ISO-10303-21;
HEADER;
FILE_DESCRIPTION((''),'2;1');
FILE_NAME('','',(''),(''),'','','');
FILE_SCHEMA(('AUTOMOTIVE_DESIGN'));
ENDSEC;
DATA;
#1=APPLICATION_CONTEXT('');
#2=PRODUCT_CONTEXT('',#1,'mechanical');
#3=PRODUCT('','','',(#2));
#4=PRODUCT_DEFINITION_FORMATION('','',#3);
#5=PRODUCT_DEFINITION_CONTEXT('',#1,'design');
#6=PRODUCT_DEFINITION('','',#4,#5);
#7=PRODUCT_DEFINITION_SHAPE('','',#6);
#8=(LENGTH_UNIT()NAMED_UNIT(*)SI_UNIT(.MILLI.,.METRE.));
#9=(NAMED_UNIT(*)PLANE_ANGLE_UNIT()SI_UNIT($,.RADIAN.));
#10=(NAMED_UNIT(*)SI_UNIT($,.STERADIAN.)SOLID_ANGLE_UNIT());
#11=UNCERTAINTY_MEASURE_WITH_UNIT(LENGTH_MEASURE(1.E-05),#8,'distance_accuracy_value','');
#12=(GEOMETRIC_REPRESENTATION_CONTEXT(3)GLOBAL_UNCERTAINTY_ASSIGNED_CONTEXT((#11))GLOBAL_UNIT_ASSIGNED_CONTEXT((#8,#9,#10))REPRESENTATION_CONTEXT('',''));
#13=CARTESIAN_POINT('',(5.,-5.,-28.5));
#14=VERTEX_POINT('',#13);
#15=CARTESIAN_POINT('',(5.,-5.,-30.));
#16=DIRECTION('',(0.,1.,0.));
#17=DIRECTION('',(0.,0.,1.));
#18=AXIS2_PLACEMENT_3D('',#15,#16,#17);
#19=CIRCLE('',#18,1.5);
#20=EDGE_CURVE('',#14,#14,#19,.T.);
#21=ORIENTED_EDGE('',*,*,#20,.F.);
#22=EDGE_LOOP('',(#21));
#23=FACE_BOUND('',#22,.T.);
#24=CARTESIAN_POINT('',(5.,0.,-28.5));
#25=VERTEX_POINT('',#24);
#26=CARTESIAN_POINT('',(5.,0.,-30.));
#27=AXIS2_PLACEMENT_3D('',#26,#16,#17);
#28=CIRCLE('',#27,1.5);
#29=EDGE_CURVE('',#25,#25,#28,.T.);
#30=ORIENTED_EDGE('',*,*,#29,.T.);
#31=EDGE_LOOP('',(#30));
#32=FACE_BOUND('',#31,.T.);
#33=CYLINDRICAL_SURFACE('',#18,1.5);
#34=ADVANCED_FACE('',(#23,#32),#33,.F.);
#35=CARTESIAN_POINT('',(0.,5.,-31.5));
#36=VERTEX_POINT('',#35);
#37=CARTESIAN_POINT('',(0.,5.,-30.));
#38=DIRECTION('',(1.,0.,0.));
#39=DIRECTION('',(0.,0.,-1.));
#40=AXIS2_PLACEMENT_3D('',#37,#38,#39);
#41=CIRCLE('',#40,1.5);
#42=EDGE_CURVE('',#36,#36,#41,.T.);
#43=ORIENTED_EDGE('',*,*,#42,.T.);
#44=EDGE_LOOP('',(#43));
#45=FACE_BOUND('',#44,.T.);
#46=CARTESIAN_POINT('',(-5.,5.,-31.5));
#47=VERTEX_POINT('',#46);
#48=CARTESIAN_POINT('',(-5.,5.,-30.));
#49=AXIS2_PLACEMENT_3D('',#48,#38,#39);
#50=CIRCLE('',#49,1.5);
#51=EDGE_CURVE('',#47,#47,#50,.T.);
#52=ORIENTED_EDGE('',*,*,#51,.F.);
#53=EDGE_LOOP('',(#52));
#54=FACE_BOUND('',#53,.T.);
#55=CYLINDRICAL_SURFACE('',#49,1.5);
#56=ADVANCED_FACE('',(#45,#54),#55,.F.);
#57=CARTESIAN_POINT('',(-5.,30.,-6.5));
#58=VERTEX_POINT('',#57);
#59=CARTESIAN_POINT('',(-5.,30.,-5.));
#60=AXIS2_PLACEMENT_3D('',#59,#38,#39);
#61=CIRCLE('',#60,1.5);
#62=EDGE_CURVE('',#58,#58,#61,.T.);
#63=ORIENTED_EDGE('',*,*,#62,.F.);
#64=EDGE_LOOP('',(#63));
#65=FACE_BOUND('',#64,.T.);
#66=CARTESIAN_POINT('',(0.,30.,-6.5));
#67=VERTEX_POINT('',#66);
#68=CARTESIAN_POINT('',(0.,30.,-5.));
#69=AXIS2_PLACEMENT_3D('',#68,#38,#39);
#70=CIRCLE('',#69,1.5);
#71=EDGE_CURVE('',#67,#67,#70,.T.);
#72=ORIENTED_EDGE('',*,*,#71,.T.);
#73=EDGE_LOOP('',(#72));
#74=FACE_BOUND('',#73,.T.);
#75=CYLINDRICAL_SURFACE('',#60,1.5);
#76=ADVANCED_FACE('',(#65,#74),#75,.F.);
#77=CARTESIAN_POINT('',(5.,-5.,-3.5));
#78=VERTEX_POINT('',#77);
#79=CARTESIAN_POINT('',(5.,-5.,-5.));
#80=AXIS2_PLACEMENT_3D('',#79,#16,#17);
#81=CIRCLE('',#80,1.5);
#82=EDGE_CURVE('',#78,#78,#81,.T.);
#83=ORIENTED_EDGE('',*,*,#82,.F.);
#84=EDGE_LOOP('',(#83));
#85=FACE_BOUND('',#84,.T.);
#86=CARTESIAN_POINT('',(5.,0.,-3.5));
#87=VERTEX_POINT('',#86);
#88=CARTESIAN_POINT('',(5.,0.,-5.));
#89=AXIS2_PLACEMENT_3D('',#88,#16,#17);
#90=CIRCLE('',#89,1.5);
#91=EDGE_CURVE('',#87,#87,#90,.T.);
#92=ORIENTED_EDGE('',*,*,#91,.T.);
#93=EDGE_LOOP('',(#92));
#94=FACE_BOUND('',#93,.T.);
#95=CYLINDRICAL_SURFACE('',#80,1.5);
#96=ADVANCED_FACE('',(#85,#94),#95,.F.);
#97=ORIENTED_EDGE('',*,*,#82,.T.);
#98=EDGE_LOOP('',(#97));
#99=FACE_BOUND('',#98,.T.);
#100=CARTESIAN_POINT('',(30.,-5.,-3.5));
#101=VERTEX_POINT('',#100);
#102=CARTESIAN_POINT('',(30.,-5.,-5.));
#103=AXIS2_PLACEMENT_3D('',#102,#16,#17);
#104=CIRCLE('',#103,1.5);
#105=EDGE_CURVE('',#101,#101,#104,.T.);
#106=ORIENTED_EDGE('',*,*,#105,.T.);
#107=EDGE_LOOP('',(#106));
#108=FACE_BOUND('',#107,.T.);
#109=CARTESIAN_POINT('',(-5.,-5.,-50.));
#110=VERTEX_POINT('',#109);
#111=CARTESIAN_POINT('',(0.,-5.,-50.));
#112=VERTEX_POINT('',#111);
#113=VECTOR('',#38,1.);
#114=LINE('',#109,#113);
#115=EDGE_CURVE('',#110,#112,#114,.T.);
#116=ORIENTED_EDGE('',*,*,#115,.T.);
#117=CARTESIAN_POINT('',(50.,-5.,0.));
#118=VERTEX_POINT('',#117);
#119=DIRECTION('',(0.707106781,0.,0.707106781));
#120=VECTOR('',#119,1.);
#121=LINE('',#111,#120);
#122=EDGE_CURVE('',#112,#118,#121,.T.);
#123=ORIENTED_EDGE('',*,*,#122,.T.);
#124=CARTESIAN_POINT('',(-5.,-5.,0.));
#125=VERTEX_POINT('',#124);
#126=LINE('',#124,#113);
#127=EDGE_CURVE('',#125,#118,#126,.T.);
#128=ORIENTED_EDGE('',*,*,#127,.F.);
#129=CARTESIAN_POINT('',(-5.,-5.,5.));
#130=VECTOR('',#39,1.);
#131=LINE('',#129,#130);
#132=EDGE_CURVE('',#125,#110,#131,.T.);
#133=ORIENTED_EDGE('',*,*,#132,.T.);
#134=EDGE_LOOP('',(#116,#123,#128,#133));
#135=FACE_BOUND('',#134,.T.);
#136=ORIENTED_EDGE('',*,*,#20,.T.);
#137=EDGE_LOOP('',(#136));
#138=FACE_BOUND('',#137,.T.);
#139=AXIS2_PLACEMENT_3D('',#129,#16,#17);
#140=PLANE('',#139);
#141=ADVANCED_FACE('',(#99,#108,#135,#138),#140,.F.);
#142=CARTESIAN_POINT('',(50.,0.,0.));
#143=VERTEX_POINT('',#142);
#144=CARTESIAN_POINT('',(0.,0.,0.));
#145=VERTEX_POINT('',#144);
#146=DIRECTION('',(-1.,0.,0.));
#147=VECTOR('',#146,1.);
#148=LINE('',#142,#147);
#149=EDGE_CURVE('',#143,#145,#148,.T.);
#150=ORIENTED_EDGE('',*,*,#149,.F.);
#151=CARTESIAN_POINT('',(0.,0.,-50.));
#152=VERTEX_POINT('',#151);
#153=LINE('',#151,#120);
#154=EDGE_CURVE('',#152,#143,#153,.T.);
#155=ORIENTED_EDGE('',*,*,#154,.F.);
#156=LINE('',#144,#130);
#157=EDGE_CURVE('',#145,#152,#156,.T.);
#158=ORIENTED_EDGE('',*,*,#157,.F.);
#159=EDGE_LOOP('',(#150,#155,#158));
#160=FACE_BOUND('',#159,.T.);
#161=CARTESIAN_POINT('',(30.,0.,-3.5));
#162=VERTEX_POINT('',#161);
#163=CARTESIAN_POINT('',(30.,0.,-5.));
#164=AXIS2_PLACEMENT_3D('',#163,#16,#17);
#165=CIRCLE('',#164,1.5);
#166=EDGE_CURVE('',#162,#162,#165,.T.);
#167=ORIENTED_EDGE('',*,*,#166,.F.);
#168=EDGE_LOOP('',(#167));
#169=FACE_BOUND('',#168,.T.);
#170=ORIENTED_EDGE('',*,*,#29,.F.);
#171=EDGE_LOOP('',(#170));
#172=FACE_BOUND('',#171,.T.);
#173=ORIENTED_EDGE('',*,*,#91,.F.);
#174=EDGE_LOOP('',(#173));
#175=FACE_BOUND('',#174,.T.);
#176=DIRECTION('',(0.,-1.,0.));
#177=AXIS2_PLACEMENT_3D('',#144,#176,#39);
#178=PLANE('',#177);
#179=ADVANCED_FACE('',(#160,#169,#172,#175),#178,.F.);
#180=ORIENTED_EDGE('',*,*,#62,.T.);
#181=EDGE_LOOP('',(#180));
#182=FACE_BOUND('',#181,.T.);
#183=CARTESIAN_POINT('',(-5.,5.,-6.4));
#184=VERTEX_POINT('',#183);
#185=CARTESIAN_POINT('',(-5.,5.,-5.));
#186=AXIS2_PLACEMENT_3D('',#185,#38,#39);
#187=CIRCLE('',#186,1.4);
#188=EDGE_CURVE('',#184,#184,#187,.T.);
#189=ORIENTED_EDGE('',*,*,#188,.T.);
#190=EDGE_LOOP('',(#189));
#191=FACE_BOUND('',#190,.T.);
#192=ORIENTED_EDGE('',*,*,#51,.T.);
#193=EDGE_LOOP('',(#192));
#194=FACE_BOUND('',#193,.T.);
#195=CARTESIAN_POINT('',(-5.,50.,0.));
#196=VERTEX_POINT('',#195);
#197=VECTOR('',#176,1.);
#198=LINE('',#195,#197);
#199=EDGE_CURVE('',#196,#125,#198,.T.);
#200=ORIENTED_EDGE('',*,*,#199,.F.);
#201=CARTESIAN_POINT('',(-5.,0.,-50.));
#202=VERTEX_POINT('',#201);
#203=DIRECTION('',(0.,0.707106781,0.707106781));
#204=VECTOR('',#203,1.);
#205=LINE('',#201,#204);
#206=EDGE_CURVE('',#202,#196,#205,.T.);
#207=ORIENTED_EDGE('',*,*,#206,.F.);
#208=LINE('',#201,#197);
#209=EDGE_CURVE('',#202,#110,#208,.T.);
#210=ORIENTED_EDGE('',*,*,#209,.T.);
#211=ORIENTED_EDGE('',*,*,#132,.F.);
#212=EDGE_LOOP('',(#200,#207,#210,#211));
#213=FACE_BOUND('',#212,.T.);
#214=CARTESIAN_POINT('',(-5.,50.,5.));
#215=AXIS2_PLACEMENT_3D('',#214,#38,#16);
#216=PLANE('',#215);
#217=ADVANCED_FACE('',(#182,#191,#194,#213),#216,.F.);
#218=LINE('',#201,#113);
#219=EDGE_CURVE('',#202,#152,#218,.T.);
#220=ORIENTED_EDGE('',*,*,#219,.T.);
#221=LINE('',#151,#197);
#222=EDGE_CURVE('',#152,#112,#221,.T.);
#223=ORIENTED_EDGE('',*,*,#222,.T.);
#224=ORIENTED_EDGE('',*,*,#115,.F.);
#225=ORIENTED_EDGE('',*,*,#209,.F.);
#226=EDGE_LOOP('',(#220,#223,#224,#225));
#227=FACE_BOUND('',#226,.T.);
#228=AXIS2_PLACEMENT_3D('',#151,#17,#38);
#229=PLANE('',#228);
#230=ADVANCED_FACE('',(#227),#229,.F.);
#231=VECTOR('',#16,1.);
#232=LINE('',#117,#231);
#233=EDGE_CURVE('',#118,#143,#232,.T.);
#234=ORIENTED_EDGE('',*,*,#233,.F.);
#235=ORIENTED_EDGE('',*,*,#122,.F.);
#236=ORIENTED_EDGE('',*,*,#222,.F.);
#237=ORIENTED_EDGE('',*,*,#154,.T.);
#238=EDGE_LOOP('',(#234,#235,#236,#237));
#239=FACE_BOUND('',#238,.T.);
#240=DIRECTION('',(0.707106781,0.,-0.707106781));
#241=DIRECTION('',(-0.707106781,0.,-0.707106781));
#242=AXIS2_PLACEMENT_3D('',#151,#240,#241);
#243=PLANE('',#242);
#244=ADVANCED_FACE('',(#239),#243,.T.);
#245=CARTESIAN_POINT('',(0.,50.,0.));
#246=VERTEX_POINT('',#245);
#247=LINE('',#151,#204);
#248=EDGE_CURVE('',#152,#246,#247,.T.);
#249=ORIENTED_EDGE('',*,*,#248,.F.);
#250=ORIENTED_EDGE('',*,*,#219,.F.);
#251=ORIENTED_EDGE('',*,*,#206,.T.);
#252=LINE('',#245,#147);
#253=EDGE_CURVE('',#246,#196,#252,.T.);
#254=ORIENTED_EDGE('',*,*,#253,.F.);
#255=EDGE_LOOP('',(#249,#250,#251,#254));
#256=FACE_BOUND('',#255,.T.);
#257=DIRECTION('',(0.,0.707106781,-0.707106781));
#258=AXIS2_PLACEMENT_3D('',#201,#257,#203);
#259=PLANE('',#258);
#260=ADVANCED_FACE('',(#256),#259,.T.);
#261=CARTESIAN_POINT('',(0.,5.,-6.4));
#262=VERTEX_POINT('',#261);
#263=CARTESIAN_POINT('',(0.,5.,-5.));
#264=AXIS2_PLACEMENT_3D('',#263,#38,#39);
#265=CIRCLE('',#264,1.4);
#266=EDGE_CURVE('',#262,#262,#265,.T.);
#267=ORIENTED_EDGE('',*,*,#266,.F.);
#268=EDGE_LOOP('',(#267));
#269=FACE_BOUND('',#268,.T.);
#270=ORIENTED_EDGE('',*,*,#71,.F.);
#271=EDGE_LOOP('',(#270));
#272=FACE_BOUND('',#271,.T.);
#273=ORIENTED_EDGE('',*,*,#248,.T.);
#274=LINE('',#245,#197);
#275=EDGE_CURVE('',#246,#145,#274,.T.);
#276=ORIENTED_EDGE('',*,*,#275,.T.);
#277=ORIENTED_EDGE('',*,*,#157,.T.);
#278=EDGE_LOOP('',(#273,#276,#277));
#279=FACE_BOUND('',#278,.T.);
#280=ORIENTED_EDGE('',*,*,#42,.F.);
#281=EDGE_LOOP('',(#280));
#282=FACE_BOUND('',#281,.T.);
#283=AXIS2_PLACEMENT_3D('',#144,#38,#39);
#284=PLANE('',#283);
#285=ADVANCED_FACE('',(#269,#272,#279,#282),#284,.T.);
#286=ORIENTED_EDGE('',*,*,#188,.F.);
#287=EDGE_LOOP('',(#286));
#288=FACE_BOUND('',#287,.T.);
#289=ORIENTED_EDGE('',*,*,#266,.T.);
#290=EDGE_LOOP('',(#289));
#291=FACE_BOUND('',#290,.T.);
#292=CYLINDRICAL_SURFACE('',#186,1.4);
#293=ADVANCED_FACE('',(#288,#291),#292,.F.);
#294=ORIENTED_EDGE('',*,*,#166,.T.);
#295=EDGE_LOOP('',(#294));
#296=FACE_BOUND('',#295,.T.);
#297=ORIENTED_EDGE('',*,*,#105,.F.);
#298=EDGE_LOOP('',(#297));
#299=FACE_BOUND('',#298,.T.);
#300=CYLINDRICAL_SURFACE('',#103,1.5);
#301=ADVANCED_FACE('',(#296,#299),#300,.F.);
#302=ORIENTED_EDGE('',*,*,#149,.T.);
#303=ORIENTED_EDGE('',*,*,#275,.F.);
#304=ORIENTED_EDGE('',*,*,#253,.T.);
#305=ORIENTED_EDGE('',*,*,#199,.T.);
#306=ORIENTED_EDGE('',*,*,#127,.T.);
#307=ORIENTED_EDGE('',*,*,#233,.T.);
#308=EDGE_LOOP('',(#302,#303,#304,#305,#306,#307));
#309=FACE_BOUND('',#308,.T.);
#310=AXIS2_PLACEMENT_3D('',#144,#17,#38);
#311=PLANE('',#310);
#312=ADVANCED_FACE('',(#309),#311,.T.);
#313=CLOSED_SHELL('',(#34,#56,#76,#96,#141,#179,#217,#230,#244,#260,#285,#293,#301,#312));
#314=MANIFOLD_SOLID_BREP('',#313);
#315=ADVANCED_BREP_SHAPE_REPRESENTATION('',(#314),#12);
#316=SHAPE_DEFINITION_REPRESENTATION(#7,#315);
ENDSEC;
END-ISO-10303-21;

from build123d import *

# Parameters (mm, degrees)
EXTRUDE_1_DEPTH     = 5
EXTRUDE_2_DEPTH     = 5
SKETCH_4_W          = 5
SKETCH_4_H          = 5
EXTRUDE_4_DEPTH     = 50
EXTRUDE_13_DEPTH    = 5
SKETCH_8_R          = 1.5
SKETCH_8_R_2        = 1.4
CUT_EXTRUDE_1_DEPTH = 87.602540378
SKETCH_9_R          = 1.5
CUT_EXTRUDE_2_DEPTH = 87.602540378
SKETCH_10_R         = 1.5
CUT_EXTRUDE_3_DEPTH = 87.602540378
CUT_EXTRUDE_4_DEPTH = 5


with BuildPart() as part:
    # 草图1 → 凸台-拉伸1 (new body)
    with BuildSketch(Plane.XY):
        Polygon((0, 50), (50, 0), (50, -5), (-5, -5), (-5, 50), align=None)
    extrude(amount=EXTRUDE_1_DEPTH)



with BuildPart() as body_2:
    # 草图2 → 凸台-拉伸2 (new body)
    with BuildSketch(Plane(origin=(0, 0, 0), x_dir=(0, 0, -1), z_dir=(1, 0, 0))):
        Polygon((0, 0), (50, 0), (0, 50), align=None)
    extrude(amount=-EXTRUDE_2_DEPTH)

    # 草图4 → 凸台-拉伸4 (add)
    with BuildSketch(Plane.XY):
        with Locations((-2.5, -2.5)):
            Rectangle(SKETCH_4_W, SKETCH_4_H)
    extrude(amount=-EXTRUDE_4_DEPTH)


with BuildPart() as part_1:
    add(part.part)

    add(body_2.part)  # 凸台-拉伸13 merges body 2
    # 草图7 → 凸台-拉伸13 (add)
    with BuildSketch(Plane.XZ.offset(5)):
        Polygon((50, 0), (0, 0), (0, -50), align=None)
    extrude(amount=-EXTRUDE_13_DEPTH)

    # 草图8 → 切除-拉伸1 (cut, through all)
    with BuildSketch(Plane(origin=(0, 0, 0), x_dir=(0, 0, -1), z_dir=(1, 0, 0))):
        with Locations((5, 30)):
            Circle(SKETCH_8_R)
        with Locations((5, 5)):
            Circle(SKETCH_8_R_2)
        with Locations((30, 5)):
            Circle(SKETCH_8_R)
    extrude(amount=-CUT_EXTRUDE_1_DEPTH, mode=Mode.SUBTRACT)

    # 草图9 → 切除-拉伸2 (cut, through all)
    with BuildSketch(Plane(origin=(0, 0, 0), x_dir=(-1, 0, 0), z_dir=(0, 0, -1))):
        with Locations((-5, 30)):
            Circle(SKETCH_9_R)
        with Locations((-5, 5)):
            Circle(SKETCH_9_R)
        with Locations((-30, 5)):
            Circle(SKETCH_9_R)
    extrude(amount=-CUT_EXTRUDE_2_DEPTH, mode=Mode.SUBTRACT)

    # 草图10 → 切除-拉伸3 (cut, through all)
    with BuildSketch(Plane(origin=(0, 0, 0), x_dir=(1, 0, 0), z_dir=(0, 1, 0))):
        with Locations(Location((5, 30, 0), (0, 0, 270))):
            Circle(SKETCH_10_R)
        with Locations(Location((5, 5, 0), (0, 0, 270))):
            Circle(SKETCH_10_R)
        with Locations(Location((30, 5, 0), (0, 0, 270))):
            Circle(SKETCH_10_R)
    extrude(amount=-CUT_EXTRUDE_3_DEPTH, mode=Mode.SUBTRACT)

    # 草图11 → 切除-拉伸4 (cut)
    with BuildSketch(Plane.XY.offset(5)):
        Polygon((-5, 50), (-5, -5), (50, -5), (50, 0), (0, 50), align=None)
    extrude(amount=-CUT_EXTRUDE_4_DEPTH, mode=Mode.SUBTRACT)


solid = part_1.part
